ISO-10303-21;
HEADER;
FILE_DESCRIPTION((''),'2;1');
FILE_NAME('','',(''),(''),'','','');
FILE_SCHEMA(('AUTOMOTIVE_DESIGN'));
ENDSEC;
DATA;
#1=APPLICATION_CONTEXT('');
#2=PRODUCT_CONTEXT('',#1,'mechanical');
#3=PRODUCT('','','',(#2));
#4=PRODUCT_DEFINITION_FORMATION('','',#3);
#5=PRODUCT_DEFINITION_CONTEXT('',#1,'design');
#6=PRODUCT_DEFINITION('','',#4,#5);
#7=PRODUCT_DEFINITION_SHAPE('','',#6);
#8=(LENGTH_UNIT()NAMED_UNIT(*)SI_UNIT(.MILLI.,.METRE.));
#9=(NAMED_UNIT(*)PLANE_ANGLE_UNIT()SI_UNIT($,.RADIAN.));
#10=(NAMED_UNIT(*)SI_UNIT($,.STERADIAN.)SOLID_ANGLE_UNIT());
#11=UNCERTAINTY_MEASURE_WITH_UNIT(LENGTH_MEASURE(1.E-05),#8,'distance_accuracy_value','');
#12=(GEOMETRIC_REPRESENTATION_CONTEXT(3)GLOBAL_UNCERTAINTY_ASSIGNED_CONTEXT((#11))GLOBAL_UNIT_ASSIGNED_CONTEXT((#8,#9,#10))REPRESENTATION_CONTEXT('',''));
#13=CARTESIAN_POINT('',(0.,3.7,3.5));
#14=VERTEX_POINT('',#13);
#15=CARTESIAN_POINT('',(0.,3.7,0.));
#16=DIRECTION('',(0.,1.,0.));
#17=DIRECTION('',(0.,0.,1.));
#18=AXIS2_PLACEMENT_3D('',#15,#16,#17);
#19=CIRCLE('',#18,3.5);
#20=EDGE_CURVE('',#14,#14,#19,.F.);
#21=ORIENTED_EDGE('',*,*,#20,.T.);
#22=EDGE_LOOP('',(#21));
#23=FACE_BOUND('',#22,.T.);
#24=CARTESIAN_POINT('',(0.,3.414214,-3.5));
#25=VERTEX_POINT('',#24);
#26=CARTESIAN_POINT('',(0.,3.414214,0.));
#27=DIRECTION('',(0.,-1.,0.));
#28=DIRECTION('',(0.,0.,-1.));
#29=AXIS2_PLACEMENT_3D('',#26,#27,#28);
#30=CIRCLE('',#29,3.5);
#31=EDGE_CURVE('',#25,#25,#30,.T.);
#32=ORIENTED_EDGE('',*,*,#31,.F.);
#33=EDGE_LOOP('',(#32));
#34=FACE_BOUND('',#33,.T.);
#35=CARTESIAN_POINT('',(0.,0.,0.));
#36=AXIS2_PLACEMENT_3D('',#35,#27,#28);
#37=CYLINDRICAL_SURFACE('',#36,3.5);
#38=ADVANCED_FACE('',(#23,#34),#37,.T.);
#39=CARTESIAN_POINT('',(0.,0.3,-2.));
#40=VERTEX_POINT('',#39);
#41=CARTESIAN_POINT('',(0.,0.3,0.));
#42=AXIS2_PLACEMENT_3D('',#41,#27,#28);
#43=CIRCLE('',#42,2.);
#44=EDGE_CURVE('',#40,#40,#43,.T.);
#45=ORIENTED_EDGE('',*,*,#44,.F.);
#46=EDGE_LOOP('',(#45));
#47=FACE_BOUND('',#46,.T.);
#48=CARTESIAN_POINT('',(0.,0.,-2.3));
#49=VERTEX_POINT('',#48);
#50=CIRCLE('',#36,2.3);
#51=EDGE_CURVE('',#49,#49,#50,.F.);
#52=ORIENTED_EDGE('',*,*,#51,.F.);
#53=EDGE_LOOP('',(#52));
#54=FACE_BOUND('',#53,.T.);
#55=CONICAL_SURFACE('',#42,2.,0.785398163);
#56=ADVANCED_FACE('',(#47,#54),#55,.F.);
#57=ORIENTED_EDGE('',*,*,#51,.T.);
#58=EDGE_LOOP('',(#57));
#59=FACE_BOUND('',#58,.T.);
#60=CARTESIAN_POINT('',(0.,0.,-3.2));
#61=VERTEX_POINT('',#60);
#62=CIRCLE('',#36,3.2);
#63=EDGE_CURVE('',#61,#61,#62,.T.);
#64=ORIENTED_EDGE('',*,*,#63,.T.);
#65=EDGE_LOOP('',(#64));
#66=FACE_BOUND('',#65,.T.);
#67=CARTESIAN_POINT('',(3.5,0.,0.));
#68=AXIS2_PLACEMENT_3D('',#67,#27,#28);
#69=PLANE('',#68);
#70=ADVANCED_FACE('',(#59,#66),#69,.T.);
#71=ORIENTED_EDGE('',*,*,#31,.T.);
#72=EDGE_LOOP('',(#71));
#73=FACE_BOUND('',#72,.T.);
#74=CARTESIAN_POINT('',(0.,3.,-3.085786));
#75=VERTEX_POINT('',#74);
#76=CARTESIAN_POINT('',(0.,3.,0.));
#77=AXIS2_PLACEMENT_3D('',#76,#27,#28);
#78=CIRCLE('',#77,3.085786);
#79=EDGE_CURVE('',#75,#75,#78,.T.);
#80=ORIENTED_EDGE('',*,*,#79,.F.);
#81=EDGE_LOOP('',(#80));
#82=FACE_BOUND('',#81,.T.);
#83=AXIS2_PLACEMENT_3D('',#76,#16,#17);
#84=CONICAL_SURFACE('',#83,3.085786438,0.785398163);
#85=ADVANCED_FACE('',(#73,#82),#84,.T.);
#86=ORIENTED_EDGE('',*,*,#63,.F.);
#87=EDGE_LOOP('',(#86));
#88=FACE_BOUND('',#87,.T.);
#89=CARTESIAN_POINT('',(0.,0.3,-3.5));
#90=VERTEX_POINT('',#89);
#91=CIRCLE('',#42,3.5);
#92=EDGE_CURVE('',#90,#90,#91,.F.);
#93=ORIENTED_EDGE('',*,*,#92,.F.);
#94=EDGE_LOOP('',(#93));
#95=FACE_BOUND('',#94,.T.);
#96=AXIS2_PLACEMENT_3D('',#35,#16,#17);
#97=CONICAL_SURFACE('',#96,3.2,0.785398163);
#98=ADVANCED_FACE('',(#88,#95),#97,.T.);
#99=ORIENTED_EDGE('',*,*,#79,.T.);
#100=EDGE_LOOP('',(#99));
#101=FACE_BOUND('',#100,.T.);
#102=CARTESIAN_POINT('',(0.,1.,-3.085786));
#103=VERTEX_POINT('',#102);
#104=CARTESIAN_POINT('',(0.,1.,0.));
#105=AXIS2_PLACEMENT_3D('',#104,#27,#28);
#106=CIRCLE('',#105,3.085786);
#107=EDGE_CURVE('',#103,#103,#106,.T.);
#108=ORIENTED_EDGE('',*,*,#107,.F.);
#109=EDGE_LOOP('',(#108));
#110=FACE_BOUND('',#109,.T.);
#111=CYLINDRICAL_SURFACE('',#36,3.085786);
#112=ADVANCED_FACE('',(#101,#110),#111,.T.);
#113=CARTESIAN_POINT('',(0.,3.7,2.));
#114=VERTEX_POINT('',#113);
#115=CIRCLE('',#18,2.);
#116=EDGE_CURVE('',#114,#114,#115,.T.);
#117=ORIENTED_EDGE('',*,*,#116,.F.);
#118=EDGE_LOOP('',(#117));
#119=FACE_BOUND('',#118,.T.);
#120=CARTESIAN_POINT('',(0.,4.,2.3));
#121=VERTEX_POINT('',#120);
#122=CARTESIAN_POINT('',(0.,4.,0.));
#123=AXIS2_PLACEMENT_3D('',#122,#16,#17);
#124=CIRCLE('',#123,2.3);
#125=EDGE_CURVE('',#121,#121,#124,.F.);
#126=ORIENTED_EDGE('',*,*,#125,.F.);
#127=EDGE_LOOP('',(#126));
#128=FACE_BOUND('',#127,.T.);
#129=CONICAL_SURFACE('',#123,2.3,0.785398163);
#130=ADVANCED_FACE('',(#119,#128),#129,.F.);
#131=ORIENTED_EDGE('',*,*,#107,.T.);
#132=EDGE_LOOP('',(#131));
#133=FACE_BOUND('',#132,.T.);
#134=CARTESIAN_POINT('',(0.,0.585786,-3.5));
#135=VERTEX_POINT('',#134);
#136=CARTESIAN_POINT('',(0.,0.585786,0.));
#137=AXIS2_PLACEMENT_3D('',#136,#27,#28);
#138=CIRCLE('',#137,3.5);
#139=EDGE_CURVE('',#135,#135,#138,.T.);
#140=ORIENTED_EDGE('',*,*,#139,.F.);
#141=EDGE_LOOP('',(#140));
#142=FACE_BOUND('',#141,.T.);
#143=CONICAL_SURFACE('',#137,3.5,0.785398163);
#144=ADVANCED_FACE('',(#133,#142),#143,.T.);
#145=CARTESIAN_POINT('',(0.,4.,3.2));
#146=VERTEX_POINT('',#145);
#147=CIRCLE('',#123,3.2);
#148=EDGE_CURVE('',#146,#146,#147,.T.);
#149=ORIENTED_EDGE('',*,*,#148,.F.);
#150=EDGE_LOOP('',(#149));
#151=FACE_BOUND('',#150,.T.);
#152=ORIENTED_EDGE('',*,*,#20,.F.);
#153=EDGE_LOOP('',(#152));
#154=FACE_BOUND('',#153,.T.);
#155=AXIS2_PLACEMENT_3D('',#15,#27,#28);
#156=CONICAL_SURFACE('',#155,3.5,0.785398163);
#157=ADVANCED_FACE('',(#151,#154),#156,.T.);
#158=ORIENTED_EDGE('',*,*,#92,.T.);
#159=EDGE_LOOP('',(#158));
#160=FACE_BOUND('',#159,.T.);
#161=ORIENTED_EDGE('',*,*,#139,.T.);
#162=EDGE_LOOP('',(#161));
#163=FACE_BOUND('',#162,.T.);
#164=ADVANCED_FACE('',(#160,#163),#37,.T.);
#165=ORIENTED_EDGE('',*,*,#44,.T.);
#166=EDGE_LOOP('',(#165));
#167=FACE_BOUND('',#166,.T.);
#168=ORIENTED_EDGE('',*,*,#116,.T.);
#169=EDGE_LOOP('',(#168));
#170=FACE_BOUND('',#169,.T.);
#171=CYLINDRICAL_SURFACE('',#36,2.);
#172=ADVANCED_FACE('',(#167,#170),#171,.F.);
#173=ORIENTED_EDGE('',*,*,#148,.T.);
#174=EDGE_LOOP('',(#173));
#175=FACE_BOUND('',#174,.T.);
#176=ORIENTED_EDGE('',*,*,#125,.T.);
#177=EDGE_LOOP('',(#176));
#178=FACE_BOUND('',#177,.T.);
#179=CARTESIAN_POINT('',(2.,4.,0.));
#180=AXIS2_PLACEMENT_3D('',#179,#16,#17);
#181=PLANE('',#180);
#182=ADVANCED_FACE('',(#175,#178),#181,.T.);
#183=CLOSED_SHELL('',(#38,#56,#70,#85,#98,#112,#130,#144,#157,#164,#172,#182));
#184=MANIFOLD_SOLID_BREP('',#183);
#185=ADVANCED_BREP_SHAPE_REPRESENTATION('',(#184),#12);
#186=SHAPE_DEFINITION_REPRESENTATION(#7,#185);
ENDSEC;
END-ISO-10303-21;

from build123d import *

# Parameters (mm, degrees)
CHAMFER1_SIZE = 0.3


with BuildPart() as part:
    # Sketch2 → Revolve1 (revolve)
    with BuildSketch(Plane.XY):
        Polygon((2, 0), (2, 4), (3.5, 4), (3.5, 3.414213562), (3.085786438, 3), (3.085786438, 1), (3.5, 0.585786438), (3.5, 0), align=None)
    revolve(axis=Axis((0, 0, 0), (0, 1, 0)))

    # Chamfer1
    chamfer1_edges = [part.edges().sort_by_distance(p)[0] for p in [
        (-2, 0, 0),
        (-3.5, 0, 0),
        (-3.5, 4, 0),
        (-2, 4, 0),
    ]]
    chamfer(chamfer1_edges, length=CHAMFER1_SIZE)


solid = part.part
